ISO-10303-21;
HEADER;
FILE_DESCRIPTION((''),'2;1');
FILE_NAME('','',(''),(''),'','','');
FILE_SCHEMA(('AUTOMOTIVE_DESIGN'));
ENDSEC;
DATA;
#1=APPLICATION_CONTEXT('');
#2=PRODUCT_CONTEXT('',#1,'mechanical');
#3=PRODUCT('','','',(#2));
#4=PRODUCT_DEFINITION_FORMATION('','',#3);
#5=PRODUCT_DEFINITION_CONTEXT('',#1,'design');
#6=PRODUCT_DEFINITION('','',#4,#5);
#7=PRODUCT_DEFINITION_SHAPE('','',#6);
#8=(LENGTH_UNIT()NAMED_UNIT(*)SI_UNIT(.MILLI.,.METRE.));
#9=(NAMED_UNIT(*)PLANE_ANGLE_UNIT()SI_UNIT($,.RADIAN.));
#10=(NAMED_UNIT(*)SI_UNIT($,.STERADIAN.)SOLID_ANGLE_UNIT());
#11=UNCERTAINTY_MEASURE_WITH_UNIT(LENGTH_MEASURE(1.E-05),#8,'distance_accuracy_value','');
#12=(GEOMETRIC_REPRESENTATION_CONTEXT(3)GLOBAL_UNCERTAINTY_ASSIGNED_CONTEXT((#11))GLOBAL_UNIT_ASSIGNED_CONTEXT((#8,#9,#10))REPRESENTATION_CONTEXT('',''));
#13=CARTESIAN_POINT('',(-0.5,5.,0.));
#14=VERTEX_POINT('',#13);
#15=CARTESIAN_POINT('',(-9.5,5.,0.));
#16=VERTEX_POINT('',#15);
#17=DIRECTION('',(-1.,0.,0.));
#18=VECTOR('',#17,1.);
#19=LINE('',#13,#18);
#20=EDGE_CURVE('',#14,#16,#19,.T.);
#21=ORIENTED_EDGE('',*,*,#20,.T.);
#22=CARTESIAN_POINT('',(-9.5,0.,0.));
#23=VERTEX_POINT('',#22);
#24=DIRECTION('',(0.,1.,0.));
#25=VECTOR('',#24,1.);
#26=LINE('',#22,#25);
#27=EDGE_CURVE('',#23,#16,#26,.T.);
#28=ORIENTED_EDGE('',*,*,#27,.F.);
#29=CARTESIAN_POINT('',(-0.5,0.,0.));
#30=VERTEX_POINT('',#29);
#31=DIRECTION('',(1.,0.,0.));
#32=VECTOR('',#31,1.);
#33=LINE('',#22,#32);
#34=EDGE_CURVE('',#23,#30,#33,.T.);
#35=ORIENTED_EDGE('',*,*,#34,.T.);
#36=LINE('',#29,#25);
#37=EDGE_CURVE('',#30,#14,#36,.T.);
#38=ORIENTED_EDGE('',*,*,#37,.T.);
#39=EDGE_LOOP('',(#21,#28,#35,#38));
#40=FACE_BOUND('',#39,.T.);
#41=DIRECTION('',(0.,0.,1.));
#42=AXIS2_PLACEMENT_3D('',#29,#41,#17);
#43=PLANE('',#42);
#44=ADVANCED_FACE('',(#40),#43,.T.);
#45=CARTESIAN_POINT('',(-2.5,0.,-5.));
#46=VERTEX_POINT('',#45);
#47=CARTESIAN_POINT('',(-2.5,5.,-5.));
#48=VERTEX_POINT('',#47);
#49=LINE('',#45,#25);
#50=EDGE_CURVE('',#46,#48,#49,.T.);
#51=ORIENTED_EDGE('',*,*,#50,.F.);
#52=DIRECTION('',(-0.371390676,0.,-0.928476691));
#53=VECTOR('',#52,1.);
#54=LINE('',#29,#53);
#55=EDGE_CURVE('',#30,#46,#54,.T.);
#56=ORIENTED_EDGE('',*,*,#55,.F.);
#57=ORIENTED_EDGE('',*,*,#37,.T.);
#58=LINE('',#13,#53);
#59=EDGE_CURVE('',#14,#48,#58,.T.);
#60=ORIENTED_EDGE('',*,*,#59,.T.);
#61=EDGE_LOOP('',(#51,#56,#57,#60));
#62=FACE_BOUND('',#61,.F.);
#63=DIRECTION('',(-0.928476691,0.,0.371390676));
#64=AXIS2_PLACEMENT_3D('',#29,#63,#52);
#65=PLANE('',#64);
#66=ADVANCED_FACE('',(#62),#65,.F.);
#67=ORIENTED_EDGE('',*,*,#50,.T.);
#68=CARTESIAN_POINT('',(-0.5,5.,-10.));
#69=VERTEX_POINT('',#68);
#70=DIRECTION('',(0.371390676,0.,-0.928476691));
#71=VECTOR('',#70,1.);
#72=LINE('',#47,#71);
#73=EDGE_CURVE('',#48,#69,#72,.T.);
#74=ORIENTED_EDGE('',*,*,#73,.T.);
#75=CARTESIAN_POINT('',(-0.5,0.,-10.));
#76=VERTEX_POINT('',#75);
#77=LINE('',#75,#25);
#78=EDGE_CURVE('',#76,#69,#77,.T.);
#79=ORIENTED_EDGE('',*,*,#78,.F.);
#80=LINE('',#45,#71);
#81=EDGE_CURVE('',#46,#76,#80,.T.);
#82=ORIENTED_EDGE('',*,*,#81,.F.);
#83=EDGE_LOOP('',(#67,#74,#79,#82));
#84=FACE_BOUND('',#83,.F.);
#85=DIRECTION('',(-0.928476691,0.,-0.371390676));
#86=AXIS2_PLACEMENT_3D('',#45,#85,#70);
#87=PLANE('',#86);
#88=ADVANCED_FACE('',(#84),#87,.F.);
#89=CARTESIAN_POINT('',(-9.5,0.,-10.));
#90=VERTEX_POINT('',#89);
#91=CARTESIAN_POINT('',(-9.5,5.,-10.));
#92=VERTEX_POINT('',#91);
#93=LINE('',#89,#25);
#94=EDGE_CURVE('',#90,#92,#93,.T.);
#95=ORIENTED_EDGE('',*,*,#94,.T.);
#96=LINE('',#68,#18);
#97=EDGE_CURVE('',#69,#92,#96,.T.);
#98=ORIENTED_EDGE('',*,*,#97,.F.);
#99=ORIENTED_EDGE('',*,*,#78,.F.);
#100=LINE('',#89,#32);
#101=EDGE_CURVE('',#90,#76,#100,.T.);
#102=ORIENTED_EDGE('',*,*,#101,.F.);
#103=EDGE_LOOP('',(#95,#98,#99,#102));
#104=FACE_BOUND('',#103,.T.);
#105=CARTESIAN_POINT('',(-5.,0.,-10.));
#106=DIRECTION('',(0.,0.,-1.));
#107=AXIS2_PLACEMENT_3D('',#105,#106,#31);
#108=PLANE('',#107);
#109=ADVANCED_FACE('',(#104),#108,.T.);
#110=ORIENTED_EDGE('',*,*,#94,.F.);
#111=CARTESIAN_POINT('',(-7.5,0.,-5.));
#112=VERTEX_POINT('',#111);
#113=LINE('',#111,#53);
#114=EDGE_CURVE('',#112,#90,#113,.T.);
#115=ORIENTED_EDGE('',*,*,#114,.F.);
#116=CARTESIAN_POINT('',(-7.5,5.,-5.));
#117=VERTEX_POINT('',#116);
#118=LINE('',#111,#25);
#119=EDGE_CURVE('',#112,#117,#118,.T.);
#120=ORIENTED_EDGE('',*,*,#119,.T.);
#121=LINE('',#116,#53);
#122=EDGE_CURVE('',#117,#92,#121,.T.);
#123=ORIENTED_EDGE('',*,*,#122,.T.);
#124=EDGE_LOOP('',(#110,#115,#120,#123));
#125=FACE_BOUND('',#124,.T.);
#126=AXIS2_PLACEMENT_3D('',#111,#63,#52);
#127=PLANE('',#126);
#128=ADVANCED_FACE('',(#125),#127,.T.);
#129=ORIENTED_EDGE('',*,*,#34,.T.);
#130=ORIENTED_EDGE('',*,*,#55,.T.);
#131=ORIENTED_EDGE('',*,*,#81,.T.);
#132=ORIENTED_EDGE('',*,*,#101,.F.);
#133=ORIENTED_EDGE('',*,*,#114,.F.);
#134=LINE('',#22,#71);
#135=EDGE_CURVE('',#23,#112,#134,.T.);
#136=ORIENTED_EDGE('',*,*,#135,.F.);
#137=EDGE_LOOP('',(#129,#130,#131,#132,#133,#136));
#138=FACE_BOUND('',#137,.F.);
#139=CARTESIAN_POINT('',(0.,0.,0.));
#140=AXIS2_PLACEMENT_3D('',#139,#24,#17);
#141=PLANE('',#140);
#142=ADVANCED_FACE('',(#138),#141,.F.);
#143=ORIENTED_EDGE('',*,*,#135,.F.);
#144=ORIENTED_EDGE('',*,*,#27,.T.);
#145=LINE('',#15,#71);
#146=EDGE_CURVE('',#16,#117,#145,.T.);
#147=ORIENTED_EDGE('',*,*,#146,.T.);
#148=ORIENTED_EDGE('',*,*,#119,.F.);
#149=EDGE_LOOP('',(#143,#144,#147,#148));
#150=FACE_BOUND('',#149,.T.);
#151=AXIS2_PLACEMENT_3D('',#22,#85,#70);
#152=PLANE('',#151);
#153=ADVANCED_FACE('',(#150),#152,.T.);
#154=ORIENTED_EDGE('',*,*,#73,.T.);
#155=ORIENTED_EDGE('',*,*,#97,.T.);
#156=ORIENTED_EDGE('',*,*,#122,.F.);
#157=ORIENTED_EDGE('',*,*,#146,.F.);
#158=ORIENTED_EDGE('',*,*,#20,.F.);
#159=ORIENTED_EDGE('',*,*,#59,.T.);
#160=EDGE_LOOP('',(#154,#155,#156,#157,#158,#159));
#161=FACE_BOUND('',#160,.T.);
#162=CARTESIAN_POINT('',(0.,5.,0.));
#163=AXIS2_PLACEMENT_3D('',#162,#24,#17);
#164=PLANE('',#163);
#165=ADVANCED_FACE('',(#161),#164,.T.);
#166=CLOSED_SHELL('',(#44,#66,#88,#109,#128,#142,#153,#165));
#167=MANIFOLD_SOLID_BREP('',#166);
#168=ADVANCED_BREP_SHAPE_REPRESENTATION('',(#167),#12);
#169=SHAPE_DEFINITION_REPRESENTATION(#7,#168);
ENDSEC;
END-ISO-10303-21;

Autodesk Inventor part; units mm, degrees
ref_plane "YZ Plane" through (0, 0, 0) normal (1, 0, 0) x (0, 1, 0)
ref_plane "XZ Plane" through (0, 0, 0) normal (0, 1, 0) x (-1, 0, 0)
ref_plane "XY Plane" through (0, 0, 0) normal (0, 0, 1) x (1, 0, 0)
sketch "Sketch1" plane through (0, 0, 0) normal (0, 1, 0) x (-1, 0, 0)
  line L0 (0, 0) -> (10, 0)
  line L1 (5, 0) -> (5, -10)
  line L2 (10, -10) -> (0, -10)
  line L3 (5, -5) -> (7.5, -5)
  line L4 (7.5, -5) -> (10, 0)
  line L5 (7.5, -5) -> (10, -10)
  line L6 (5, -5) -> (2.5, -5)
  line L7 (2.5, -5) -> (0, -10)
  line L8 (2.5, -5) -> (0, 0)
  line L9 (5, 0) -> (9.5, 0)
  line L10 (9.5, 0) -> (7.5, -5)
  line L11 (5, 0) -> (0.5, 0)
  line L12 (0.5, 0) -> (2.5, -5)
  line L13 (2.5, -5) -> (0.5, -10)
  line L14 (7.5, -5) -> (9.5, -10)
  dimension "d0" = 10
  dimension "d1" = 10
  dimension "d2" = 2.5
  dimension "d3" = 2.5
  dimension "d4" = 4.5
  dimension "d5" = 4.5
extrude "Extrusion1" add sketch "Sketch1" along normal blind 5 contours L0 L1 L6 L12 | L6 L1 L2 L13 | L0 L10 L3 L1 | L3 L14 L2 L1
properties part number "dishConnector_3DPrint"
